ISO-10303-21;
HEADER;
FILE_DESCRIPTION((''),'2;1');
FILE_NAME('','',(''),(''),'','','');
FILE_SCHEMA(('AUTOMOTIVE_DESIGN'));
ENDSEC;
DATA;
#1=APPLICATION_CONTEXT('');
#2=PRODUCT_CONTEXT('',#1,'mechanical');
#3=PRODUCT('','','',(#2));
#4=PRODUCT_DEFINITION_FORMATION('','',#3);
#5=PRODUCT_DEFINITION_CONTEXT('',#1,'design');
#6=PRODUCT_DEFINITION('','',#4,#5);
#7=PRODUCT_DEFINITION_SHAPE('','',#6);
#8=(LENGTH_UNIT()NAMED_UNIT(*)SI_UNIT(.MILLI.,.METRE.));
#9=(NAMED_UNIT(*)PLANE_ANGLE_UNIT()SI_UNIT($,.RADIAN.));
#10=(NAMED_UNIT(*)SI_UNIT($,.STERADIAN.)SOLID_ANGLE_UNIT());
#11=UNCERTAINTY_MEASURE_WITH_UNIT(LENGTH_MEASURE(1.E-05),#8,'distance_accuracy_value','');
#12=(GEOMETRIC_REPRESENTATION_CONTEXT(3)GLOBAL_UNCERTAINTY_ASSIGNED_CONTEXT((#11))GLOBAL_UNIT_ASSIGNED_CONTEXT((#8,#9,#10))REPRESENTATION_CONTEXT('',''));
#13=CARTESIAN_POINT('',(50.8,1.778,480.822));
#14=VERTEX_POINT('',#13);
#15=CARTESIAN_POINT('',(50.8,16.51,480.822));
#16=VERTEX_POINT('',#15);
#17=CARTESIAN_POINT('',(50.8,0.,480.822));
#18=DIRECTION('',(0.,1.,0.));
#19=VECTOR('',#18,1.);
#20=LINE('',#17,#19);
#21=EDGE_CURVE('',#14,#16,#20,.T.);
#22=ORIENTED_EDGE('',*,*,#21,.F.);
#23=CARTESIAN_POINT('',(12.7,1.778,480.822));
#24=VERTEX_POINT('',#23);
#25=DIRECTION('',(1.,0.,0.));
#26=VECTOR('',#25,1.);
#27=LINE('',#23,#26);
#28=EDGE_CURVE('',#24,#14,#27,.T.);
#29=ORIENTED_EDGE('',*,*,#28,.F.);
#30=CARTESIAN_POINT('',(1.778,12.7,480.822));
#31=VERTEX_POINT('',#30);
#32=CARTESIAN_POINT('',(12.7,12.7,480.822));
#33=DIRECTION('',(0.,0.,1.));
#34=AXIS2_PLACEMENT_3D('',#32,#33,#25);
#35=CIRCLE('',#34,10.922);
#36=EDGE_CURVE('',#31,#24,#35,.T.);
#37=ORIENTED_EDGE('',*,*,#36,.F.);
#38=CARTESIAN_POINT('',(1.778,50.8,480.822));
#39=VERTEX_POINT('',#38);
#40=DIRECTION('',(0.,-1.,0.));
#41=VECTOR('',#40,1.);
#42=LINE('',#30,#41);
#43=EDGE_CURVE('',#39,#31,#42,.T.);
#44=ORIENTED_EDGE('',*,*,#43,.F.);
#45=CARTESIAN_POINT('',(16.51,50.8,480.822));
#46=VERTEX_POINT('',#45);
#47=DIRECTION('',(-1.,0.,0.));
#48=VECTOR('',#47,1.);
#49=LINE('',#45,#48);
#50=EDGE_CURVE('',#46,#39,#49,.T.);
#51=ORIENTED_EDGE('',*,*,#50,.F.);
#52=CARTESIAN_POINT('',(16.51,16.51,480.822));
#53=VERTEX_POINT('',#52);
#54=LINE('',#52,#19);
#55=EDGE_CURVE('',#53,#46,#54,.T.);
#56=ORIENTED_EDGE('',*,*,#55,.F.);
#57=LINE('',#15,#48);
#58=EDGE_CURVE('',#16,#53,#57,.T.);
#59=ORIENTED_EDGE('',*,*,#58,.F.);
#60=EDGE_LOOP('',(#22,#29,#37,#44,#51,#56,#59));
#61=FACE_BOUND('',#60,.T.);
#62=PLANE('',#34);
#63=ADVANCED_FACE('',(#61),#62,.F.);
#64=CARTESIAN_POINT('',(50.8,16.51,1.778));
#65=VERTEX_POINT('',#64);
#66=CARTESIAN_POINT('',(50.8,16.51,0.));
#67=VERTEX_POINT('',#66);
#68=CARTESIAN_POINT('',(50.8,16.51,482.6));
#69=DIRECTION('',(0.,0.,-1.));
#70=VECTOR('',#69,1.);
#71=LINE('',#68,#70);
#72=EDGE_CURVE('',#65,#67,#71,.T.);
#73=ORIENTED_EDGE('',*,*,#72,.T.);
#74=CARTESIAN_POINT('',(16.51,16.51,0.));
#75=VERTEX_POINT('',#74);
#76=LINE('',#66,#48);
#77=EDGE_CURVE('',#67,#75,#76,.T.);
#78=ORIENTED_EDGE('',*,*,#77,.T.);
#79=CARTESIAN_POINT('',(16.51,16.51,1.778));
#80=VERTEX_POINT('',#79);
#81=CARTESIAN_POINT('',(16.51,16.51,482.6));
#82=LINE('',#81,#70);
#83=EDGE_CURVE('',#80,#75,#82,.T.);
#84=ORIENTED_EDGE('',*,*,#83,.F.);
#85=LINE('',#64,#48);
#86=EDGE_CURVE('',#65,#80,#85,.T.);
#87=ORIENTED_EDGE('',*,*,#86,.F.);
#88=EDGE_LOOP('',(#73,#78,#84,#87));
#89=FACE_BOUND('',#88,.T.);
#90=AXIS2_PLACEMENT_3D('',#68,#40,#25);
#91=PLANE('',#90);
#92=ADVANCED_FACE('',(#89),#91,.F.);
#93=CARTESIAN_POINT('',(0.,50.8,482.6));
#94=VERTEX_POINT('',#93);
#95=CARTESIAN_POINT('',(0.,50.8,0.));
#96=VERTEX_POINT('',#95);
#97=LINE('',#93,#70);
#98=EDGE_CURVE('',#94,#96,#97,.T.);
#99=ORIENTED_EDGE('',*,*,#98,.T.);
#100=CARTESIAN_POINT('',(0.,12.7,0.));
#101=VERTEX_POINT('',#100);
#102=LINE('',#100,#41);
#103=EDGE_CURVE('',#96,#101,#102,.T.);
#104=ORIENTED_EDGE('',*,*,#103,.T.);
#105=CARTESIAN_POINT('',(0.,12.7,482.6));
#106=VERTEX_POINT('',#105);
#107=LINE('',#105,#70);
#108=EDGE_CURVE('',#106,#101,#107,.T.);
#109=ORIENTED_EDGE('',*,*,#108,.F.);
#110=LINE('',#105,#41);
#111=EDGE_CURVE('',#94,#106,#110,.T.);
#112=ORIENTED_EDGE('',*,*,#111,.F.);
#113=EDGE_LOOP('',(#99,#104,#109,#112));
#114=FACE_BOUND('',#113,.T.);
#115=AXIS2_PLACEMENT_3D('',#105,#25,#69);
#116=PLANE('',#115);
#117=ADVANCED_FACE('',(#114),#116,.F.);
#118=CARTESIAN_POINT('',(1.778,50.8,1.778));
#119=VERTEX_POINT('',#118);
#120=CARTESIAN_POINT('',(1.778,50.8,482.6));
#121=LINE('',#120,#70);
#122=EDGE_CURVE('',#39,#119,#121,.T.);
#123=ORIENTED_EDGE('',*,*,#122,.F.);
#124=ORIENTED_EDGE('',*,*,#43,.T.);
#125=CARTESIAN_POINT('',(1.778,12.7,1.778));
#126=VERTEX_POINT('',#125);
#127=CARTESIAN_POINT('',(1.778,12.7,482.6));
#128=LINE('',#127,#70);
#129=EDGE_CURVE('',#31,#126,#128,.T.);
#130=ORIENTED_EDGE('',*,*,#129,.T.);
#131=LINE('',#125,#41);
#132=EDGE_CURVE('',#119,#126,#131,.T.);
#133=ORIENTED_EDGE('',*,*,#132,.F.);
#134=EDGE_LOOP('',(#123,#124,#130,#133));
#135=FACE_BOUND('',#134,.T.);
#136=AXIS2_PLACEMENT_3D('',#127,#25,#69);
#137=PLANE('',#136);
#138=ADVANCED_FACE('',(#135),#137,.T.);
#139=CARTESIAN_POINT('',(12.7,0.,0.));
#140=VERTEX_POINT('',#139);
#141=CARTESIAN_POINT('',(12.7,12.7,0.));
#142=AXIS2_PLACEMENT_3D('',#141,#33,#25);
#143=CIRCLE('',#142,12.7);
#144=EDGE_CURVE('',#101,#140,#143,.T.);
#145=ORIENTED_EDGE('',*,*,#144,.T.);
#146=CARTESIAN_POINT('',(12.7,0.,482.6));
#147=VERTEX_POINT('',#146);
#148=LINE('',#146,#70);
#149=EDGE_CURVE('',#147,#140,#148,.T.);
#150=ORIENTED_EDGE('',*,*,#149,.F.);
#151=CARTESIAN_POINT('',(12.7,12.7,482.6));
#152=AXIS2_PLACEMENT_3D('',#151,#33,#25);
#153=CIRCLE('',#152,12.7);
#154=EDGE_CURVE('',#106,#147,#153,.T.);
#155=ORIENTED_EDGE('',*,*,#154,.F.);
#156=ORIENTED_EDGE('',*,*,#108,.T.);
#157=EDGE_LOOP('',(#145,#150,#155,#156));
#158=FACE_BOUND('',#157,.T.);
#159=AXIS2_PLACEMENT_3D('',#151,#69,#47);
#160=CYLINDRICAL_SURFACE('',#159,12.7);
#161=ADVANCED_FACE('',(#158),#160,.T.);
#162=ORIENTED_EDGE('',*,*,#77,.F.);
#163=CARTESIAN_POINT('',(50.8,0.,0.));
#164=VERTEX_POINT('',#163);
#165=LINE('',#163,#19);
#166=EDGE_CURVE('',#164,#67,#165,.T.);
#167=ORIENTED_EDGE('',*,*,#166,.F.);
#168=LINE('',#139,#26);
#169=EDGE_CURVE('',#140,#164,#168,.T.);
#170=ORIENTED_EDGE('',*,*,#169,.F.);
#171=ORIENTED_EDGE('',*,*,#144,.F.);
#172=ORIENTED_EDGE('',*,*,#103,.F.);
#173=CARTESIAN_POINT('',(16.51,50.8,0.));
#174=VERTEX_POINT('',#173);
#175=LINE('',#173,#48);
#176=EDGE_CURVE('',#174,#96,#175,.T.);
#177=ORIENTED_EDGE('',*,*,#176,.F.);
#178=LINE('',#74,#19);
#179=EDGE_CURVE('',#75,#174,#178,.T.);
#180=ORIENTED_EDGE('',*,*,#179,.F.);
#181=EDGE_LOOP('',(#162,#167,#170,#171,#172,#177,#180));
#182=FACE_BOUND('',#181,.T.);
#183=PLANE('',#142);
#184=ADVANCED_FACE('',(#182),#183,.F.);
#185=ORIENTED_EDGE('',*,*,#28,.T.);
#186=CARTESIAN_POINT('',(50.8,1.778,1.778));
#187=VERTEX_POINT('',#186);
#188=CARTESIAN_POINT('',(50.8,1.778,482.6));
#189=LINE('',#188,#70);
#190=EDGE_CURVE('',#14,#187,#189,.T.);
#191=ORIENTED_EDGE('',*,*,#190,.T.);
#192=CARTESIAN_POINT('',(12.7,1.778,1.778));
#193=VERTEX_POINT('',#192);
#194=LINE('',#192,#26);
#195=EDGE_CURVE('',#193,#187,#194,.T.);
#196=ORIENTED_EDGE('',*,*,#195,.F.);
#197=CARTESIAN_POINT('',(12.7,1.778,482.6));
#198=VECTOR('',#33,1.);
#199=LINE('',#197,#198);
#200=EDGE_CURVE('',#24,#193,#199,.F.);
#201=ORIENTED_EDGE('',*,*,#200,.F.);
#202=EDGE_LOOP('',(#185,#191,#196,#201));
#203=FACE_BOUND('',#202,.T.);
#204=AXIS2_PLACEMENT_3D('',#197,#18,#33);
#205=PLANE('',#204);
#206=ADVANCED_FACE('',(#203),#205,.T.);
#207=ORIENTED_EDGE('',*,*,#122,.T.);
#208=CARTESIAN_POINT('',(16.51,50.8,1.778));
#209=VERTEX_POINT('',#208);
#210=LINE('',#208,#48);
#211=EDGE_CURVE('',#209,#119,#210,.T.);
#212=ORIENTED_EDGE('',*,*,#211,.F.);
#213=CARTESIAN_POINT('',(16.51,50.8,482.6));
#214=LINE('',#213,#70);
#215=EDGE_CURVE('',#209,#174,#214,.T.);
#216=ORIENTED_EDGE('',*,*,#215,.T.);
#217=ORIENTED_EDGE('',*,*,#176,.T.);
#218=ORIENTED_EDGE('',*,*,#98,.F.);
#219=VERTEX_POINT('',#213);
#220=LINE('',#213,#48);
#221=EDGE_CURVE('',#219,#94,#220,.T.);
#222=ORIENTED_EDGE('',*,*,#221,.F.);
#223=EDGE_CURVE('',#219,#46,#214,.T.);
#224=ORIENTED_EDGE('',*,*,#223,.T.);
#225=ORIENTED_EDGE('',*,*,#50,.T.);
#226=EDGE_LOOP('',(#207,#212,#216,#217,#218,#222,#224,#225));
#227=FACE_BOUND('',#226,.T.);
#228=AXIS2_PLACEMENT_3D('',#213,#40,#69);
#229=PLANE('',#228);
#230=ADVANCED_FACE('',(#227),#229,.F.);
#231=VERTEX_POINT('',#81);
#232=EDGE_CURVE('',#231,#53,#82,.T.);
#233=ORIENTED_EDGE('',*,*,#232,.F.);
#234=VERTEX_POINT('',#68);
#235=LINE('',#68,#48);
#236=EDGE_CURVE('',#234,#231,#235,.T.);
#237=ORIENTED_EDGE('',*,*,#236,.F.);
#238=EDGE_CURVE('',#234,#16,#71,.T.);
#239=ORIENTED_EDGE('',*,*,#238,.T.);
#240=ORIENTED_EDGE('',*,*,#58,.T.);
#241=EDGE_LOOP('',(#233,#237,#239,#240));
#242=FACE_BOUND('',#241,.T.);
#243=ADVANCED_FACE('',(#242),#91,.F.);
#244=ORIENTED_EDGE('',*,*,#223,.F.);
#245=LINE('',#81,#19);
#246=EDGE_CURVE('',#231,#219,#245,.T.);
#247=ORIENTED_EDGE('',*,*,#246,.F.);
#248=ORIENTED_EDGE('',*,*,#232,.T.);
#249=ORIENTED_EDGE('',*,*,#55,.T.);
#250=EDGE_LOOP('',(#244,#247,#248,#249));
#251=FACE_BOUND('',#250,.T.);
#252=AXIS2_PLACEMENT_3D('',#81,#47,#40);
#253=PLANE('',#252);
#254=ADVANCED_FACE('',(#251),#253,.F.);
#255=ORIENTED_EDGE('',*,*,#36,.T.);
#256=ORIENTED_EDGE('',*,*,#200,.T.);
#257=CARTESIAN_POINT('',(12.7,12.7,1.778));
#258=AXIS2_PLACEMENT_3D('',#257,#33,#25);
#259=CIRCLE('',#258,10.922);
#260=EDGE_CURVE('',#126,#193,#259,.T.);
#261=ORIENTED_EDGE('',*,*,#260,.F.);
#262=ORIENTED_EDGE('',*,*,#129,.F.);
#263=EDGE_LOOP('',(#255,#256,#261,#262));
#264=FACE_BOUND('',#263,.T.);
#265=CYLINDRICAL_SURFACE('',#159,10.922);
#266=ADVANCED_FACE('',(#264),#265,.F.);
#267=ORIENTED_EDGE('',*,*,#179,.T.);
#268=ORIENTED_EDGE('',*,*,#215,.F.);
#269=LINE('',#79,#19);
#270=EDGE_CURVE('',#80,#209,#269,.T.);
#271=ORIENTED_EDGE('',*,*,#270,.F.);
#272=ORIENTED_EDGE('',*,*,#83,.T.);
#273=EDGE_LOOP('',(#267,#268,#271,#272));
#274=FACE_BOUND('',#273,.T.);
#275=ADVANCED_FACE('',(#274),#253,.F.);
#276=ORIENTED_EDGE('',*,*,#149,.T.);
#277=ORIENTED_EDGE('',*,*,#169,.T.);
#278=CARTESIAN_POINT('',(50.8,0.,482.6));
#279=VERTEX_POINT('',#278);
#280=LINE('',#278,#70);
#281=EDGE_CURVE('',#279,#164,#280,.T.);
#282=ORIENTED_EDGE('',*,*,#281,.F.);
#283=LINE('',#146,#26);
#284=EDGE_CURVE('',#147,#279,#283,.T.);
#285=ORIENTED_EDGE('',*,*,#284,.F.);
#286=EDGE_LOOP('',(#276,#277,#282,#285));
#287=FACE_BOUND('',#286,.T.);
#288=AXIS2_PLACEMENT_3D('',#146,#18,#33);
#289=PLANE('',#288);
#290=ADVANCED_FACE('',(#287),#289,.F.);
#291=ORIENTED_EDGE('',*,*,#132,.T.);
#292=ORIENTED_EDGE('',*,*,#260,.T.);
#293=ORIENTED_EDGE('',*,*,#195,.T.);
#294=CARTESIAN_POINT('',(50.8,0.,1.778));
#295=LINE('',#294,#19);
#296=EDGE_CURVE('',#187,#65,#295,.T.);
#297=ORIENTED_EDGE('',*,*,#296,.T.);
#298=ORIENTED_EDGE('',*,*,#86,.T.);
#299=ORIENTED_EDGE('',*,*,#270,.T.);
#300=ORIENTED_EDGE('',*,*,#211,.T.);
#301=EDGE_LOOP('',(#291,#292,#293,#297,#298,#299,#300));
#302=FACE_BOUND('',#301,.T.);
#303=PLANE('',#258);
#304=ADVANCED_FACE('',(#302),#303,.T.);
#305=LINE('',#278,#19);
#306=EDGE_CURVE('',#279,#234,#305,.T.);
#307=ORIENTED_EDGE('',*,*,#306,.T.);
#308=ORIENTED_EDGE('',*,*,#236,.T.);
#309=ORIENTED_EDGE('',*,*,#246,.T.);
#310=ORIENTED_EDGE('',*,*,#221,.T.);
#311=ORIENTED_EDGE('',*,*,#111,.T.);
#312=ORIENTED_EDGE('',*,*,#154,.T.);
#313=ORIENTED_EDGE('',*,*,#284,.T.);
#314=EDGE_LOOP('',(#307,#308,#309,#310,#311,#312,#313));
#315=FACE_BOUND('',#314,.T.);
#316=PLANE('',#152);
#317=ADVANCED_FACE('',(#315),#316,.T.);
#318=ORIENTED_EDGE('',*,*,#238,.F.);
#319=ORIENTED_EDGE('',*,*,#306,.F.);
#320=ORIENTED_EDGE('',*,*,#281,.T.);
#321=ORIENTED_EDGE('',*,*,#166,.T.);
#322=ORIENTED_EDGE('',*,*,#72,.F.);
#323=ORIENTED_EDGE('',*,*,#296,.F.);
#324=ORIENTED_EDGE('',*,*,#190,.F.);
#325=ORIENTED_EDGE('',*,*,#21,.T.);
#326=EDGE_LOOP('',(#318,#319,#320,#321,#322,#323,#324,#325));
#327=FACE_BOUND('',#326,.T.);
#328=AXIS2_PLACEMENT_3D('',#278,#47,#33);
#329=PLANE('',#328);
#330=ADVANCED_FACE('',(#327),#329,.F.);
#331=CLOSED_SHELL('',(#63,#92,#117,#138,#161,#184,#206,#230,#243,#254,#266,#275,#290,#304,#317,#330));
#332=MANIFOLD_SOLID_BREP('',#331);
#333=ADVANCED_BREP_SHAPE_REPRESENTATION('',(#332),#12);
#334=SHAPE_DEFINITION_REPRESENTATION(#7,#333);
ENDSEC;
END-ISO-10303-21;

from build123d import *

# Parameters (mm, degrees)
BOSS_EXTRUDE1_DEPTH = 482.6
SHELL1_T            = -1.778


with BuildPart() as part:
    # Sketch1 → Boss-Extrude1 (new body)
    with BuildSketch(Plane.XY):
        with BuildLine():
            Line((0, 12.7), (0, 50.8))
            Line((0, 50.8), (16.51, 50.8))
            Line((16.51, 50.8), (16.51, 16.51))
            Line((16.51, 16.51), (50.8, 16.51))
            Line((50.8, 16.51), (50.8, 0))
            Line((50.8, 0), (12.7, 0))
            ThreePointArc((12.7, 0), (3.719743879, 3.719743879), (0, 12.7))
        make_face()
    extrude(amount=BOSS_EXTRUDE1_DEPTH)

    # Shell1
    shell1_openings = [part.faces().sort_by_distance(p)[0] for p in [
        (16.51, 33.655, 241.3),
        (33.655, 16.51, 241.3),
        (50.8, 8.255, 241.3),
        (8.255, 50.8, 241.3),
    ]]
    offset(amount=SHELL1_T, openings=shell1_openings, kind=Kind.INTERSECTION)


solid = part.part
